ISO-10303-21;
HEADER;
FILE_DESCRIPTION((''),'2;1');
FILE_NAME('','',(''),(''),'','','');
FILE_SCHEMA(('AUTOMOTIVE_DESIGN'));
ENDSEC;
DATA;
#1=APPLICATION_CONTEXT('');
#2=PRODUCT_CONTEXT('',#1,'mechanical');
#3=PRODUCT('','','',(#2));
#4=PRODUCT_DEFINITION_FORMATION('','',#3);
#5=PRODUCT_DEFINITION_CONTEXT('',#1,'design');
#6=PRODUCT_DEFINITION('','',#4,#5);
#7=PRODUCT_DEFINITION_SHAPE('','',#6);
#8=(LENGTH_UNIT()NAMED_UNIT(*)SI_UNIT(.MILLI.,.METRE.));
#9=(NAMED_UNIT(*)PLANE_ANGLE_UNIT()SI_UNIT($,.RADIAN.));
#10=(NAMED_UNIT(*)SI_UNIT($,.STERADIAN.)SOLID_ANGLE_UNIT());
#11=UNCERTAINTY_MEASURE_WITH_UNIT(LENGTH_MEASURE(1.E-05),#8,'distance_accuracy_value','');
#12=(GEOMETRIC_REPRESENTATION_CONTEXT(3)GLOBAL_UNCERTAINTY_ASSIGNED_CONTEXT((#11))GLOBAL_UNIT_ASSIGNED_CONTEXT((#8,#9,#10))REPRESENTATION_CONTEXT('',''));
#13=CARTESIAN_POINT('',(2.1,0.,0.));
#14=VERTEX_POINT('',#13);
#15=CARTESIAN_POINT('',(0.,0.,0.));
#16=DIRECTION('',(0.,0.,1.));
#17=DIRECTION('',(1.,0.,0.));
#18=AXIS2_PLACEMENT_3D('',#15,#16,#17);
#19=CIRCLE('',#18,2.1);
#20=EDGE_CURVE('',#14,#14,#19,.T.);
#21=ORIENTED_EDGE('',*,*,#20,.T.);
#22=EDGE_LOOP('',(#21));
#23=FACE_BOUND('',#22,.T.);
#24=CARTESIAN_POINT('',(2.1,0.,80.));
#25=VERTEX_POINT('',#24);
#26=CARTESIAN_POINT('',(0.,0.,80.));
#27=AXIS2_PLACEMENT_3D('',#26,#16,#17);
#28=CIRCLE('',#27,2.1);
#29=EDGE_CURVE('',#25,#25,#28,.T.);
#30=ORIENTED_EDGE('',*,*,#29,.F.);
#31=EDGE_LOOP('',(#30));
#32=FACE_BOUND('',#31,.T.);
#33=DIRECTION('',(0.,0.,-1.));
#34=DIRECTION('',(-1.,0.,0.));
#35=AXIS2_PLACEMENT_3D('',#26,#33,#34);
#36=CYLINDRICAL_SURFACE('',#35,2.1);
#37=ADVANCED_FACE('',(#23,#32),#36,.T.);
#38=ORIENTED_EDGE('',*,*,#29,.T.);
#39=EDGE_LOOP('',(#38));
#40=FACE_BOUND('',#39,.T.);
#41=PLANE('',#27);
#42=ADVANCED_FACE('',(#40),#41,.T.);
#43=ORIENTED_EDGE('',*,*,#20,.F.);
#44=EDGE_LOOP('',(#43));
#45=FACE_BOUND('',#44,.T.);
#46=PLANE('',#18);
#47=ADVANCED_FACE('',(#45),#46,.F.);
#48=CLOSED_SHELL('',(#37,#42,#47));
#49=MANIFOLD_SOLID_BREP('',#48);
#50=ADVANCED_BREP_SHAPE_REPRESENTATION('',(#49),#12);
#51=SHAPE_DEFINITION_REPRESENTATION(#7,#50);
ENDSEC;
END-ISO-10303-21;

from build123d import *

# Parameters (mm, degrees)
SKETCH_1_R      = 2.1
EXTRUDE_1_DEPTH = 80


with BuildPart() as part:
    # 草图1 → 凸台-拉伸1 (new body)
    with BuildSketch(Plane.XY):
        Circle(SKETCH_1_R)
    extrude(amount=EXTRUDE_1_DEPTH)


solid = part.part
